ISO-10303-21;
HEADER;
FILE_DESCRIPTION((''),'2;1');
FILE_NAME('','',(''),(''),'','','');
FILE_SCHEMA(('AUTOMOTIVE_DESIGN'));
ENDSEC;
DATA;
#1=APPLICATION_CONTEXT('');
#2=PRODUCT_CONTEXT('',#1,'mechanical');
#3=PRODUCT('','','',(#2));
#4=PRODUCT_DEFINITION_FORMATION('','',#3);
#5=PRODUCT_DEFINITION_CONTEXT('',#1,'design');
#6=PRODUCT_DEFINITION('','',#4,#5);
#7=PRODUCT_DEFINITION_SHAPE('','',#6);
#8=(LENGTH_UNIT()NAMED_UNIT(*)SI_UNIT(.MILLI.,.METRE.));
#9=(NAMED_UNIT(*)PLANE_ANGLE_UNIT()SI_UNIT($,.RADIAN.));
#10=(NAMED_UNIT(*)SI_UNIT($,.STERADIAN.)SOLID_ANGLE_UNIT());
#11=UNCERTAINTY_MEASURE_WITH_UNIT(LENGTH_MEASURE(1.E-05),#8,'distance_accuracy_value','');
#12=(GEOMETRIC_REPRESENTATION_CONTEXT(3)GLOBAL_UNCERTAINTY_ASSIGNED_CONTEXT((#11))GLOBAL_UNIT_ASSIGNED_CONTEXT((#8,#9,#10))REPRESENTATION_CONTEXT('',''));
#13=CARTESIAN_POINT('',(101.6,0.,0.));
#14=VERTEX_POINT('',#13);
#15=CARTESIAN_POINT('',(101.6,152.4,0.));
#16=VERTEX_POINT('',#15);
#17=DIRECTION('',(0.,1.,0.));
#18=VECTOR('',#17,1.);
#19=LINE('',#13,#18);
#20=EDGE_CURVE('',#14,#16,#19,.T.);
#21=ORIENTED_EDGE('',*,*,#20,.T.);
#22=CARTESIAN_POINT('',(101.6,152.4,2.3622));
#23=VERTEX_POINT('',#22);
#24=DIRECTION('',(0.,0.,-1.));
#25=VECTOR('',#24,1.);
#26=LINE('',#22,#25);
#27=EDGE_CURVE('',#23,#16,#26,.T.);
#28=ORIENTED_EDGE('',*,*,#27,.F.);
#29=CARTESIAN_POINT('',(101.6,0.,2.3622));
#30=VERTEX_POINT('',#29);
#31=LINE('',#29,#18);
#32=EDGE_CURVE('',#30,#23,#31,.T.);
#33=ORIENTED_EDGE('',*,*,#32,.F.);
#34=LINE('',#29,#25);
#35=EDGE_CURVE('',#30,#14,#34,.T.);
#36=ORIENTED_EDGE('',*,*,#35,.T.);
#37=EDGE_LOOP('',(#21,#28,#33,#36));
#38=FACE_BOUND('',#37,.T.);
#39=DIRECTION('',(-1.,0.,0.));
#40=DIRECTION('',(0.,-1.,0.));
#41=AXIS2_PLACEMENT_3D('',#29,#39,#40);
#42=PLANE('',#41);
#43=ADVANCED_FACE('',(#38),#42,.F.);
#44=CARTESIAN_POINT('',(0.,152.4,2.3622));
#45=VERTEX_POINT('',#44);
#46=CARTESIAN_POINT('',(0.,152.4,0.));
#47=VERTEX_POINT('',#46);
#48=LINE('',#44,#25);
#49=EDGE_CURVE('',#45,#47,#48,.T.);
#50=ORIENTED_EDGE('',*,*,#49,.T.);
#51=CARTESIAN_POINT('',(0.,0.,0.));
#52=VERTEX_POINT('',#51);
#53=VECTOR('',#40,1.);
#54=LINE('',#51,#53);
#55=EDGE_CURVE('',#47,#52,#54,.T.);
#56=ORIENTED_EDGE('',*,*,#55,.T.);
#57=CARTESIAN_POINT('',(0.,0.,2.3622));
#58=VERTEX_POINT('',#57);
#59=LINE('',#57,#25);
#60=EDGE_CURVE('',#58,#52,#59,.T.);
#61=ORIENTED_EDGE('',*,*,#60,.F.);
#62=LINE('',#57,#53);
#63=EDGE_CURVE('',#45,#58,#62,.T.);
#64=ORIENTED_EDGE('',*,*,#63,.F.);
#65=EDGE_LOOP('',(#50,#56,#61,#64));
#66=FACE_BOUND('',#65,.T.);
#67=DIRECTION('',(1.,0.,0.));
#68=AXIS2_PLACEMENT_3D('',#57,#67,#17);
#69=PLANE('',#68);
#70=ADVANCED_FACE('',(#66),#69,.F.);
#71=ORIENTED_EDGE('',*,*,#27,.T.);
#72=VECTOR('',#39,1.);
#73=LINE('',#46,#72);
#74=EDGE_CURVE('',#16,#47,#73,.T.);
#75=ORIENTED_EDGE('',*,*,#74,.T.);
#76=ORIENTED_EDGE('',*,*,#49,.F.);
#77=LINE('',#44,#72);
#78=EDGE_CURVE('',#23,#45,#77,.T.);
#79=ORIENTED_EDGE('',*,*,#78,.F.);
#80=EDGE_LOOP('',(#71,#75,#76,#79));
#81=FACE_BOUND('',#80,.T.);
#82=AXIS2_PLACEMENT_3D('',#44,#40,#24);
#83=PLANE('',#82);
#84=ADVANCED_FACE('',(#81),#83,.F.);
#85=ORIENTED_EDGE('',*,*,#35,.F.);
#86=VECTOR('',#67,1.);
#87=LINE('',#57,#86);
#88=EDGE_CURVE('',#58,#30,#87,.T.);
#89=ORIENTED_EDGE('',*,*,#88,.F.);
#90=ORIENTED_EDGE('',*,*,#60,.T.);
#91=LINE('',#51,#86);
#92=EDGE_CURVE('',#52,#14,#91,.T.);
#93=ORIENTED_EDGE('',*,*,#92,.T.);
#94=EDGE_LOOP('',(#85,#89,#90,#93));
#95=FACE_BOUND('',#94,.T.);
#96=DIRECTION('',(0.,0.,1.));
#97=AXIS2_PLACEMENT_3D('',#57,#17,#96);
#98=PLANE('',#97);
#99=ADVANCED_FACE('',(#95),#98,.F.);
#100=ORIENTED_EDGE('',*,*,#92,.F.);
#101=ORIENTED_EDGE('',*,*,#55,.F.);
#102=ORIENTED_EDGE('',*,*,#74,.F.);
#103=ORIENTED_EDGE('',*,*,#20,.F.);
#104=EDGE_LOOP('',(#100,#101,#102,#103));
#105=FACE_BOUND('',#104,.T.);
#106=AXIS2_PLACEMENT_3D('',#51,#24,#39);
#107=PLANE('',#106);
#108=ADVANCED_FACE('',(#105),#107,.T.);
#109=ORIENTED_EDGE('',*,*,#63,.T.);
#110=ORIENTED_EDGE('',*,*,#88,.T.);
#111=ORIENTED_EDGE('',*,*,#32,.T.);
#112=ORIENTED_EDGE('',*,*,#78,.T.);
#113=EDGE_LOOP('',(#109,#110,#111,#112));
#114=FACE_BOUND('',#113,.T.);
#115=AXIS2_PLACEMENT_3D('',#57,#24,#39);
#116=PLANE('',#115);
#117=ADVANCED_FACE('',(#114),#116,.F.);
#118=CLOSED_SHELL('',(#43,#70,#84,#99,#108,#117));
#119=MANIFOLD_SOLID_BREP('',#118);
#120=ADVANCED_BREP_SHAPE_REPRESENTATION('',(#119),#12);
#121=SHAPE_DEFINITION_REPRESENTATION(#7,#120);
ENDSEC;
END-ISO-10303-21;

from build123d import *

# Parameters (mm, degrees)
SKETCH1_W           = 101.6
SKETCH1_H           = 152.4
BOSS_EXTRUDE1_DEPTH = 2.3622


with BuildPart() as part:
    # Sketch1 → Boss-Extrude1 (new body)
    with BuildSketch(Plane.XY):
        with Locations((50.8, 76.2)):
            Rectangle(SKETCH1_W, SKETCH1_H)
    extrude(amount=BOSS_EXTRUDE1_DEPTH)


solid = part.part
